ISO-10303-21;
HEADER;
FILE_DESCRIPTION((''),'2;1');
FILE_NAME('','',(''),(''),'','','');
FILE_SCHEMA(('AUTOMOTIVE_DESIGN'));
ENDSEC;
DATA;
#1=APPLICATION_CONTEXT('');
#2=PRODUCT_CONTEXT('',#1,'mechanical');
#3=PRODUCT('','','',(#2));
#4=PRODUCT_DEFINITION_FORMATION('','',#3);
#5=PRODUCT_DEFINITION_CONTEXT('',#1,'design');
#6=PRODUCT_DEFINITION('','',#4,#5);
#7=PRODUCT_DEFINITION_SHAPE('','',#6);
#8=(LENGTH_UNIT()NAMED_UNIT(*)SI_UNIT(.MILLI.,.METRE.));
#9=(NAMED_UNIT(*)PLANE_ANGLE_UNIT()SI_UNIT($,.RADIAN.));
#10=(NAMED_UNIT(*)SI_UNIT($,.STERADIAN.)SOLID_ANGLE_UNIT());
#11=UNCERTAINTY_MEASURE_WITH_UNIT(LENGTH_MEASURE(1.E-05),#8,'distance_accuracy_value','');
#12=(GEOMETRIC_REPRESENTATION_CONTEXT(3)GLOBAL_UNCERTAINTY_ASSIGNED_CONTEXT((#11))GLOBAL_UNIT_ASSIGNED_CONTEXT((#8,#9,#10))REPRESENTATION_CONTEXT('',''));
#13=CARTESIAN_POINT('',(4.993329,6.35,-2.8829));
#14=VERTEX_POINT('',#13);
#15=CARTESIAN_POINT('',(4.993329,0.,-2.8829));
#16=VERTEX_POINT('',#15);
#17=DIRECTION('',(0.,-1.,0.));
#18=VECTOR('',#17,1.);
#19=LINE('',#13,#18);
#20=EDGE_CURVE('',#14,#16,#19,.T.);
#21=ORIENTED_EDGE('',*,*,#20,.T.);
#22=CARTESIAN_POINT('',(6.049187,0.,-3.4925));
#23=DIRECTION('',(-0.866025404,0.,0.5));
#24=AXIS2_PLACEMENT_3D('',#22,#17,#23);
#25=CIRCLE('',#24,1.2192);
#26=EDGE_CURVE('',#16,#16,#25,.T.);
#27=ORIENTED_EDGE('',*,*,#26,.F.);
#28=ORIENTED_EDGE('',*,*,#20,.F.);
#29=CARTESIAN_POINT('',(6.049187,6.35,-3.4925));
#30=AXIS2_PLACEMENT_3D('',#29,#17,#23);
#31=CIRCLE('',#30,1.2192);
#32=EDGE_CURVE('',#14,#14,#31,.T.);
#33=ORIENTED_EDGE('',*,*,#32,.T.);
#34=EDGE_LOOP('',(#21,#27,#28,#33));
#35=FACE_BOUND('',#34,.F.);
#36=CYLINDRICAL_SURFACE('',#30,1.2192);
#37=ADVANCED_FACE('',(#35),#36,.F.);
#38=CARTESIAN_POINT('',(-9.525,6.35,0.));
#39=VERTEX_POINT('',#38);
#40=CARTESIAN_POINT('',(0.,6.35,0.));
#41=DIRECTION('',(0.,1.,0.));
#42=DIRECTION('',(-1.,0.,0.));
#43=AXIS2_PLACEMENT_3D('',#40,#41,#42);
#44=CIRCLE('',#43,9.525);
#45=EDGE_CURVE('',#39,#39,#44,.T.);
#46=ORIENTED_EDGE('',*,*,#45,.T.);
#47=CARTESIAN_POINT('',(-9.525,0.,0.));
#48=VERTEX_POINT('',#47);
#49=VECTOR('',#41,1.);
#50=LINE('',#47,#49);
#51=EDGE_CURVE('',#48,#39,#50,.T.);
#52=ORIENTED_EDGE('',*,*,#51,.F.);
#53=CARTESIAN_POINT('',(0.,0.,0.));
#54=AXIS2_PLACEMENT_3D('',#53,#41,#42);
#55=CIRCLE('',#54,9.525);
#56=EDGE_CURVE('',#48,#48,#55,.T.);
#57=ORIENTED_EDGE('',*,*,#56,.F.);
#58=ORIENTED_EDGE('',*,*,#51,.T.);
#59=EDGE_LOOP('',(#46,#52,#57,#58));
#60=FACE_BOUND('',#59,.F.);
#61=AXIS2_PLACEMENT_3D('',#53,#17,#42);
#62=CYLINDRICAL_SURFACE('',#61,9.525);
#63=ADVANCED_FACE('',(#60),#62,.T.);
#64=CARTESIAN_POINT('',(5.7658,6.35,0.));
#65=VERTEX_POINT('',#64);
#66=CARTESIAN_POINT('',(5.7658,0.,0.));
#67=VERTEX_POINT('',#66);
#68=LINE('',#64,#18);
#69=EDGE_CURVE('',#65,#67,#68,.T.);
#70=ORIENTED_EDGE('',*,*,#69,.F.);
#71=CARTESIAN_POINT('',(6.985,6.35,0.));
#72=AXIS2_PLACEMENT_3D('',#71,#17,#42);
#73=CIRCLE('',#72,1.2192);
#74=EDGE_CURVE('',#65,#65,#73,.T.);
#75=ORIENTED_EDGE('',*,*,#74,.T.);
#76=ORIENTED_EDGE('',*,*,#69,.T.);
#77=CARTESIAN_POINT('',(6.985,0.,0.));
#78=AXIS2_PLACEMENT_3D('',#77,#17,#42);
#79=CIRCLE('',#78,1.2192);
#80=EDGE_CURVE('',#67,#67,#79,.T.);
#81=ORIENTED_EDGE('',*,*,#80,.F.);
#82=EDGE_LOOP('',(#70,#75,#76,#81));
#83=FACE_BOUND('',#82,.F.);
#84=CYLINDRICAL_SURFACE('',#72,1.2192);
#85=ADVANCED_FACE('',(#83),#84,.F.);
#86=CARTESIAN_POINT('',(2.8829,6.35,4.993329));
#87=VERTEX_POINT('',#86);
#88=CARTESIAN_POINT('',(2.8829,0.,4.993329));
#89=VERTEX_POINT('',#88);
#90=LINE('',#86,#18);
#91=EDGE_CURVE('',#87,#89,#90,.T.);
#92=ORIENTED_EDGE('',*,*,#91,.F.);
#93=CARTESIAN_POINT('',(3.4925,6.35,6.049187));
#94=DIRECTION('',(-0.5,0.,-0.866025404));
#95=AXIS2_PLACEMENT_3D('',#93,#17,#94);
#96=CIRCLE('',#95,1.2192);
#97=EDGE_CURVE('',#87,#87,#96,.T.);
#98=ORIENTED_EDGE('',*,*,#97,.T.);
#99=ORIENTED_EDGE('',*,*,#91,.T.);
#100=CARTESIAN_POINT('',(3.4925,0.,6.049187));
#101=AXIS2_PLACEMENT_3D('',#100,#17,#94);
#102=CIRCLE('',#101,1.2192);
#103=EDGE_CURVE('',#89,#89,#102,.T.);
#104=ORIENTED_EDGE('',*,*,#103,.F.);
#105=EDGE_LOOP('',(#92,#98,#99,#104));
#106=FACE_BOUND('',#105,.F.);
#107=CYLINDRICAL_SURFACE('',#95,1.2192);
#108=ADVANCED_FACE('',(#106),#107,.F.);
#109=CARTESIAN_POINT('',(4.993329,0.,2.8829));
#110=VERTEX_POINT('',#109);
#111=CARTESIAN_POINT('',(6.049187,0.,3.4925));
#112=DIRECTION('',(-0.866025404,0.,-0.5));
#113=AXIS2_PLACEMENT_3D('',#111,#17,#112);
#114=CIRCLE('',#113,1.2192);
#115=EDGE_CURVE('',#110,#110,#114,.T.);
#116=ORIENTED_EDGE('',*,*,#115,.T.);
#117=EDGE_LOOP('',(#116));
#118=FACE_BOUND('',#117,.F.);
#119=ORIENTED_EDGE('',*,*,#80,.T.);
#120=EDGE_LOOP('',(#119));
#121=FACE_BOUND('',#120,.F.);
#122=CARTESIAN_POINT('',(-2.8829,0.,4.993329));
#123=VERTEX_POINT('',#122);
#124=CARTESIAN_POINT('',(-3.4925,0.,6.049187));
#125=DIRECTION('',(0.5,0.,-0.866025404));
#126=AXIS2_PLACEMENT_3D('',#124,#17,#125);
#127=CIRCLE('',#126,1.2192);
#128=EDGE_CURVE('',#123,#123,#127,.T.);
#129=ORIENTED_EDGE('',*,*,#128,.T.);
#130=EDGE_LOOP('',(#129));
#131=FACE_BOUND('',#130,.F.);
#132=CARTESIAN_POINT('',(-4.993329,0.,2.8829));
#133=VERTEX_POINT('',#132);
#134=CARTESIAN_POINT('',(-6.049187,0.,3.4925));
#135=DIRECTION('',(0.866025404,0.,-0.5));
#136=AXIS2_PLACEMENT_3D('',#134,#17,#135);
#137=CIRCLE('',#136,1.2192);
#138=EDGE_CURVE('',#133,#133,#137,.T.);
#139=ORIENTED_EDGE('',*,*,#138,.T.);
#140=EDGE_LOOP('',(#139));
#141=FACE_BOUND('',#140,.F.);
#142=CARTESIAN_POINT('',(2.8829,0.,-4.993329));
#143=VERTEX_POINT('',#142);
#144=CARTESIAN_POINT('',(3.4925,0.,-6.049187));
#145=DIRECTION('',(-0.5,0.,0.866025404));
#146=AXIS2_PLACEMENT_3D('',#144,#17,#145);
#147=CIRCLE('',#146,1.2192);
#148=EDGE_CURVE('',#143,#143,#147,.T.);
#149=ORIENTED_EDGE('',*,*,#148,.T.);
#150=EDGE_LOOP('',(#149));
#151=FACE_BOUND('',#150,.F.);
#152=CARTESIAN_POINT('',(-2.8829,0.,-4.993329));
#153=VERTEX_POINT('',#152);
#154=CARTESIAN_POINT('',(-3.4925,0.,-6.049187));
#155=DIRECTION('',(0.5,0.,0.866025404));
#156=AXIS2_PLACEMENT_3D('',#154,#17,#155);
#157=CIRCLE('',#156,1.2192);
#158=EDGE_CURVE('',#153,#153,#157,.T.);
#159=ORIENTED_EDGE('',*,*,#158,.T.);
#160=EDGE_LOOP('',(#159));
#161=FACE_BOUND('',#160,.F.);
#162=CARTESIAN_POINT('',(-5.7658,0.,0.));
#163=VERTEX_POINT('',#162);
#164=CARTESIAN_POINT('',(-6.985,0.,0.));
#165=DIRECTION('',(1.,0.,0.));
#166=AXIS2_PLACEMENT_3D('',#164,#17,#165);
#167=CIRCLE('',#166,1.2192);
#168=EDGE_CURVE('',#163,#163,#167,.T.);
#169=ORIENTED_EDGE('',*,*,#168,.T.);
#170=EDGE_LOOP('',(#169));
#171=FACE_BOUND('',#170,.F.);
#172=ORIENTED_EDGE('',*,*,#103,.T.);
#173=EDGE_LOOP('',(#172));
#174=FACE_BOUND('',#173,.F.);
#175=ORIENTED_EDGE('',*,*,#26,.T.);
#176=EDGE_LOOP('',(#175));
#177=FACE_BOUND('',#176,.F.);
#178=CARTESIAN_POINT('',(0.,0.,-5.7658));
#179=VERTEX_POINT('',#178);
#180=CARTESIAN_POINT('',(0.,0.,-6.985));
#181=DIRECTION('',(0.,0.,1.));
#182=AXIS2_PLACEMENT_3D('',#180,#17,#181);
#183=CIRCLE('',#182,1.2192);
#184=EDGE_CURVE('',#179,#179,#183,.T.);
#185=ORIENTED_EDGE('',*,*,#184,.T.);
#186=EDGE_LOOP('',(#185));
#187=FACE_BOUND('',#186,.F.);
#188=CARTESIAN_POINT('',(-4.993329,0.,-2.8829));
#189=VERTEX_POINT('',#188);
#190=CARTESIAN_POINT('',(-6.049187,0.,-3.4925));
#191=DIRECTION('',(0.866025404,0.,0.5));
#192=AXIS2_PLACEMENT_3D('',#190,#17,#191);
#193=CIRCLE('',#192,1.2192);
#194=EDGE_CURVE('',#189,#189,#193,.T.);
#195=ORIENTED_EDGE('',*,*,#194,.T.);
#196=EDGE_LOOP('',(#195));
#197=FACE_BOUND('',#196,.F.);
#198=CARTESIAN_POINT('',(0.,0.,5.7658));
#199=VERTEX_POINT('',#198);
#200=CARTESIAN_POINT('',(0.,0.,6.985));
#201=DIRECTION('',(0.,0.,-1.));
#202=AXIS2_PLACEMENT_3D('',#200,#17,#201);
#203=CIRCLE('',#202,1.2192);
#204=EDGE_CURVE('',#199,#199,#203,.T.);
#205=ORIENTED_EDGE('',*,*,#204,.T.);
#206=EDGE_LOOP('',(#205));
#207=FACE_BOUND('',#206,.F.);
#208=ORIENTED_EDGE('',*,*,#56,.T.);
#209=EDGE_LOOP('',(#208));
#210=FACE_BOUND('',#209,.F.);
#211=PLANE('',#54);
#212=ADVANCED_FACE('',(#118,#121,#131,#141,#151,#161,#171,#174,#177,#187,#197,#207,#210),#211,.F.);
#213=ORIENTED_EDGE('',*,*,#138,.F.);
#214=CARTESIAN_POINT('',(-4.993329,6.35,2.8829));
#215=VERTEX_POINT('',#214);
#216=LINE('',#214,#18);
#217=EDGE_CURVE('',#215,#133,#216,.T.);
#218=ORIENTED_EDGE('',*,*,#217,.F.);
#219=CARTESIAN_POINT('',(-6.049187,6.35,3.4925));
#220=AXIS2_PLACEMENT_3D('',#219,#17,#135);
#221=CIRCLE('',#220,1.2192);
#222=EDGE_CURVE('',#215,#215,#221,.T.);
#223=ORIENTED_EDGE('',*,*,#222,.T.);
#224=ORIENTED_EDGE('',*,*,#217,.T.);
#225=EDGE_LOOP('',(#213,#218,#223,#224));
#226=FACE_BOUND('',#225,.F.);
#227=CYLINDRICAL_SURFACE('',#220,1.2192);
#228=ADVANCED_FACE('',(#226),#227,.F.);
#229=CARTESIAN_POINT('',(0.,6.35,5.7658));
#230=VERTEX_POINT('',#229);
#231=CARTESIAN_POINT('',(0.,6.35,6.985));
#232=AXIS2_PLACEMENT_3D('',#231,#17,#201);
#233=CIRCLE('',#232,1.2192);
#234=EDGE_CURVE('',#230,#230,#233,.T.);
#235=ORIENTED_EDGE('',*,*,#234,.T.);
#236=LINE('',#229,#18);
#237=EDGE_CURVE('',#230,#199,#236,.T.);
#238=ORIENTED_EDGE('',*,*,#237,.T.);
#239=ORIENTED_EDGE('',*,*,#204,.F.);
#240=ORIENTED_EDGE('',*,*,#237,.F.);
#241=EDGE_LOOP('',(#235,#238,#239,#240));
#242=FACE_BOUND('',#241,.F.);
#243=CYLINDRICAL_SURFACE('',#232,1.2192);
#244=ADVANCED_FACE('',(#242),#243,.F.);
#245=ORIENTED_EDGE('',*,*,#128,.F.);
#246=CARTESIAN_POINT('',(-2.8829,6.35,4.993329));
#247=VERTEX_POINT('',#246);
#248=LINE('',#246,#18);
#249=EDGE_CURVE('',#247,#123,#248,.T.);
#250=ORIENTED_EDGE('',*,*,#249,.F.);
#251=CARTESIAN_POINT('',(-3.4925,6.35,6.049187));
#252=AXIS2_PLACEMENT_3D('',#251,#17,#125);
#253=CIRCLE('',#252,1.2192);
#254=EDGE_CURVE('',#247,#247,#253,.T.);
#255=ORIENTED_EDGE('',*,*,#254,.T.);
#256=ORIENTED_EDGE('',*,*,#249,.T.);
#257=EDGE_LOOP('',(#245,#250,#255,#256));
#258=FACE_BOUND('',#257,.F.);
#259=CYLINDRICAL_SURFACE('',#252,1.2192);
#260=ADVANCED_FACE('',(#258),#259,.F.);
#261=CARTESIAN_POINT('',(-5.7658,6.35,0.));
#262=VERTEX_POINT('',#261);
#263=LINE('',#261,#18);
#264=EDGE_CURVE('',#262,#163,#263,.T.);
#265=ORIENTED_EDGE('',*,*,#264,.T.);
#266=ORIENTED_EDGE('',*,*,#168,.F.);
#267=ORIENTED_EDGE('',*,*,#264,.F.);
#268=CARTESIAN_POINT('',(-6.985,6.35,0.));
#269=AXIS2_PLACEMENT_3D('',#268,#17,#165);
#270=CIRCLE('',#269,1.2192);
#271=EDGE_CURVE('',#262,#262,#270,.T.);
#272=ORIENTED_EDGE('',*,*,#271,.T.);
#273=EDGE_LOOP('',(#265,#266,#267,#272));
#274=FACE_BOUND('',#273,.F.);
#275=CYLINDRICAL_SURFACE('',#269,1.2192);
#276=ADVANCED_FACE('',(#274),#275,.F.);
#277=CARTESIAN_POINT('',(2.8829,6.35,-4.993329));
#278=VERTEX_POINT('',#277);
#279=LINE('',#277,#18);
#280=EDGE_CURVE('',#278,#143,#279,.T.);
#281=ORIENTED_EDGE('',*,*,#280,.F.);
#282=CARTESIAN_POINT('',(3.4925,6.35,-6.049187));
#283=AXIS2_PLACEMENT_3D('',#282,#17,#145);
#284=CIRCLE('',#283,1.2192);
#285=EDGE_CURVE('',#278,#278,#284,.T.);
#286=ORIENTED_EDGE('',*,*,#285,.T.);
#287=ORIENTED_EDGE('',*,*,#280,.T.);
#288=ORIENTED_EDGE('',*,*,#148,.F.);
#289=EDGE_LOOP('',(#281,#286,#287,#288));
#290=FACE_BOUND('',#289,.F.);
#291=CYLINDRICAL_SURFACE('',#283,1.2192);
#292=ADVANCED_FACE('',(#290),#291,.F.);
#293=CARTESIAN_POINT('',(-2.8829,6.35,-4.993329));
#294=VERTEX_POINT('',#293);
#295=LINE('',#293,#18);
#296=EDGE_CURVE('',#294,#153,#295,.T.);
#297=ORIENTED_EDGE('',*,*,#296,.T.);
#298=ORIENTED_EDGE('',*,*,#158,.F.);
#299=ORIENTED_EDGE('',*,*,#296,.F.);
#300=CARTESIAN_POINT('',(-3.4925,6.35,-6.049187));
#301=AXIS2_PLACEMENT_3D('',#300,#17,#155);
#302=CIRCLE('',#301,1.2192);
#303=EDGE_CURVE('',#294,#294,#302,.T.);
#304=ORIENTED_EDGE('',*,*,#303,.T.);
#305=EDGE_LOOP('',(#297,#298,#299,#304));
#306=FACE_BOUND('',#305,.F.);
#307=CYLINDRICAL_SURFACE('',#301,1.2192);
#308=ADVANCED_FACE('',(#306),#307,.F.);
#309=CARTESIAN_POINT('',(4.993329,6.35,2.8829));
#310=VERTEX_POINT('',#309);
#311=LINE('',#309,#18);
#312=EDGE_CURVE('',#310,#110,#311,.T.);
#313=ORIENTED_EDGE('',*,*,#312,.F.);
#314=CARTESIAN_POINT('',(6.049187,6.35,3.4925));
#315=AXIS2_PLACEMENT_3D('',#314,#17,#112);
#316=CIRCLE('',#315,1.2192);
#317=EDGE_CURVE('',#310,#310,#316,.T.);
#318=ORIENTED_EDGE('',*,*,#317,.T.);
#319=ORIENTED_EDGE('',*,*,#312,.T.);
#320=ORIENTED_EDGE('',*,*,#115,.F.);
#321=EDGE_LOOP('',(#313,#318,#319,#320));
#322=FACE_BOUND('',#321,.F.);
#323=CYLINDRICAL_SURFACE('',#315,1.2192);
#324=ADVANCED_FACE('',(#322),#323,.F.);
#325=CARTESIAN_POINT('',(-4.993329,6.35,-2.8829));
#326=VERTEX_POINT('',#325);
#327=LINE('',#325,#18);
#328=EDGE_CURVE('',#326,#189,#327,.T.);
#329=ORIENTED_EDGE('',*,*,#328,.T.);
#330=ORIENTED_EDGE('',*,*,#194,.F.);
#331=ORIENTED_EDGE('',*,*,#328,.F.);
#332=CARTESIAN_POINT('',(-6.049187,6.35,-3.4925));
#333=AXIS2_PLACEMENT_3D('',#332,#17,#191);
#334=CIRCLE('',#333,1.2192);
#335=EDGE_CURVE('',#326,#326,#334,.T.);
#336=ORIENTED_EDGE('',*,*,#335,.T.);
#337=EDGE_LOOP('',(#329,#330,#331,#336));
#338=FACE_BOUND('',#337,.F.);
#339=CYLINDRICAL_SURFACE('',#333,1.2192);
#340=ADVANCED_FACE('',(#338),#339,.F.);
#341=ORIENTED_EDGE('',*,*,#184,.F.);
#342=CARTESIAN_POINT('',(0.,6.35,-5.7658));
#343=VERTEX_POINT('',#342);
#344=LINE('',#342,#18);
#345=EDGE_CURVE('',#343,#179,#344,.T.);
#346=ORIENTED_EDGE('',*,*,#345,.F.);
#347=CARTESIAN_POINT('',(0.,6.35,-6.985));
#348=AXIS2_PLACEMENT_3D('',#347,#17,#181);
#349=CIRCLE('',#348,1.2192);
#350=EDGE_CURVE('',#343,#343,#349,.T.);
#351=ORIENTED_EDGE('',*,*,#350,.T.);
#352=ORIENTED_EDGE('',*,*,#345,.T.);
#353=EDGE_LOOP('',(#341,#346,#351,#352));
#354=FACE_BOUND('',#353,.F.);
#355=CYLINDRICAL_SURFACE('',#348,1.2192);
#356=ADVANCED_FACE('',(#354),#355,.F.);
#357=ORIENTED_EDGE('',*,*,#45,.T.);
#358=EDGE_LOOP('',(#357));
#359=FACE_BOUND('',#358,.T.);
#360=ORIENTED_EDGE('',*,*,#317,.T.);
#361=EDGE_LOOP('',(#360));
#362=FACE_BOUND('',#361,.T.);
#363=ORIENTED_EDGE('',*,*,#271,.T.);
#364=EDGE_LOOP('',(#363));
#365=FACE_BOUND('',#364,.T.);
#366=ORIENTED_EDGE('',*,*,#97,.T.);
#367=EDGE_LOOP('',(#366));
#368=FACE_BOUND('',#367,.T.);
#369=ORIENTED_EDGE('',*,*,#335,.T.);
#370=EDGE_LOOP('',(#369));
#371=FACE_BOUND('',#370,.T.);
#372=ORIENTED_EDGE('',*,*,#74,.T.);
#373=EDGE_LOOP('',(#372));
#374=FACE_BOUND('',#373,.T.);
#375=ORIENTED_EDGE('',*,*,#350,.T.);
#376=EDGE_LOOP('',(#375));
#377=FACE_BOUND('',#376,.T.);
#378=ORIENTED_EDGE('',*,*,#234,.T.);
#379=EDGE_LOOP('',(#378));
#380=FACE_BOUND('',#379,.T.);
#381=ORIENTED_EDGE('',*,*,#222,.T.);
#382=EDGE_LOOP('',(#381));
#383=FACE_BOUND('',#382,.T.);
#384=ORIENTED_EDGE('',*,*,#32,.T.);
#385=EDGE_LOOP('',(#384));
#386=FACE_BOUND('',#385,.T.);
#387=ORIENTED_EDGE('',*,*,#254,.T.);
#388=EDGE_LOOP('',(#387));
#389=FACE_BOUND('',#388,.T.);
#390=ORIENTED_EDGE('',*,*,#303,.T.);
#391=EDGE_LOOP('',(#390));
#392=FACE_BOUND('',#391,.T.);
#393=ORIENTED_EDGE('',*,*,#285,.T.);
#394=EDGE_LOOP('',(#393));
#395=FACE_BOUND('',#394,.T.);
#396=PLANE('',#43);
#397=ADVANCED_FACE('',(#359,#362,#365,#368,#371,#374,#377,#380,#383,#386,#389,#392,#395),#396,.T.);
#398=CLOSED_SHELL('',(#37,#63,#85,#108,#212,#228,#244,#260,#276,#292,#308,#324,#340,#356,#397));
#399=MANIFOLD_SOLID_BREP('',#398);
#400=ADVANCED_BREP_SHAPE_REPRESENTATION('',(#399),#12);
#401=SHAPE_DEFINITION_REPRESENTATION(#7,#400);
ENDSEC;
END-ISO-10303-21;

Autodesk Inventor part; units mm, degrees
ref_plane "YZ Plane" through (0, 0, 0) normal (1, 0, 0) x (0, 1, 0)
ref_plane "XZ Plane" through (0, 0, 0) normal (0, 1, 0) x (-1, 0, 0)
ref_plane "XY Plane" through (0, 0, 0) normal (0, 0, 1) x (1, 0, 0)
sketch "Sketch1" plane through (0, 0, 0) normal (0, 1, 0) x (-1, 0, 0)
  circle A0 centre (0, 0) radius 9.525
  dimension "d0" = 19.05
extrude "Extrusion1" add sketch "Sketch1" along normal blind 6.35
sketch "Sketch2" plane through (0, 6.35, 0) normal (0, 1, 0) x (1, 0, 0)
  point P0 (0, 0)
  point P1 (0, 6.985)
  dimension "d3" = 6.985
hole "Hole1" at (0, 6.35, -6.985) direction (0, -1, 0) diameter 2.4384 end through all clearance for "Flat Head Machine Screw (82)" size "#2" standard "Ansi Unified Screw Threads"
pattern_circular "Circular Pattern1" count 12 over 360 about axis through (0, 0, 0) along (0, 1, 0) of "Hole1"
properties part number "ferris_wheel_hub"
